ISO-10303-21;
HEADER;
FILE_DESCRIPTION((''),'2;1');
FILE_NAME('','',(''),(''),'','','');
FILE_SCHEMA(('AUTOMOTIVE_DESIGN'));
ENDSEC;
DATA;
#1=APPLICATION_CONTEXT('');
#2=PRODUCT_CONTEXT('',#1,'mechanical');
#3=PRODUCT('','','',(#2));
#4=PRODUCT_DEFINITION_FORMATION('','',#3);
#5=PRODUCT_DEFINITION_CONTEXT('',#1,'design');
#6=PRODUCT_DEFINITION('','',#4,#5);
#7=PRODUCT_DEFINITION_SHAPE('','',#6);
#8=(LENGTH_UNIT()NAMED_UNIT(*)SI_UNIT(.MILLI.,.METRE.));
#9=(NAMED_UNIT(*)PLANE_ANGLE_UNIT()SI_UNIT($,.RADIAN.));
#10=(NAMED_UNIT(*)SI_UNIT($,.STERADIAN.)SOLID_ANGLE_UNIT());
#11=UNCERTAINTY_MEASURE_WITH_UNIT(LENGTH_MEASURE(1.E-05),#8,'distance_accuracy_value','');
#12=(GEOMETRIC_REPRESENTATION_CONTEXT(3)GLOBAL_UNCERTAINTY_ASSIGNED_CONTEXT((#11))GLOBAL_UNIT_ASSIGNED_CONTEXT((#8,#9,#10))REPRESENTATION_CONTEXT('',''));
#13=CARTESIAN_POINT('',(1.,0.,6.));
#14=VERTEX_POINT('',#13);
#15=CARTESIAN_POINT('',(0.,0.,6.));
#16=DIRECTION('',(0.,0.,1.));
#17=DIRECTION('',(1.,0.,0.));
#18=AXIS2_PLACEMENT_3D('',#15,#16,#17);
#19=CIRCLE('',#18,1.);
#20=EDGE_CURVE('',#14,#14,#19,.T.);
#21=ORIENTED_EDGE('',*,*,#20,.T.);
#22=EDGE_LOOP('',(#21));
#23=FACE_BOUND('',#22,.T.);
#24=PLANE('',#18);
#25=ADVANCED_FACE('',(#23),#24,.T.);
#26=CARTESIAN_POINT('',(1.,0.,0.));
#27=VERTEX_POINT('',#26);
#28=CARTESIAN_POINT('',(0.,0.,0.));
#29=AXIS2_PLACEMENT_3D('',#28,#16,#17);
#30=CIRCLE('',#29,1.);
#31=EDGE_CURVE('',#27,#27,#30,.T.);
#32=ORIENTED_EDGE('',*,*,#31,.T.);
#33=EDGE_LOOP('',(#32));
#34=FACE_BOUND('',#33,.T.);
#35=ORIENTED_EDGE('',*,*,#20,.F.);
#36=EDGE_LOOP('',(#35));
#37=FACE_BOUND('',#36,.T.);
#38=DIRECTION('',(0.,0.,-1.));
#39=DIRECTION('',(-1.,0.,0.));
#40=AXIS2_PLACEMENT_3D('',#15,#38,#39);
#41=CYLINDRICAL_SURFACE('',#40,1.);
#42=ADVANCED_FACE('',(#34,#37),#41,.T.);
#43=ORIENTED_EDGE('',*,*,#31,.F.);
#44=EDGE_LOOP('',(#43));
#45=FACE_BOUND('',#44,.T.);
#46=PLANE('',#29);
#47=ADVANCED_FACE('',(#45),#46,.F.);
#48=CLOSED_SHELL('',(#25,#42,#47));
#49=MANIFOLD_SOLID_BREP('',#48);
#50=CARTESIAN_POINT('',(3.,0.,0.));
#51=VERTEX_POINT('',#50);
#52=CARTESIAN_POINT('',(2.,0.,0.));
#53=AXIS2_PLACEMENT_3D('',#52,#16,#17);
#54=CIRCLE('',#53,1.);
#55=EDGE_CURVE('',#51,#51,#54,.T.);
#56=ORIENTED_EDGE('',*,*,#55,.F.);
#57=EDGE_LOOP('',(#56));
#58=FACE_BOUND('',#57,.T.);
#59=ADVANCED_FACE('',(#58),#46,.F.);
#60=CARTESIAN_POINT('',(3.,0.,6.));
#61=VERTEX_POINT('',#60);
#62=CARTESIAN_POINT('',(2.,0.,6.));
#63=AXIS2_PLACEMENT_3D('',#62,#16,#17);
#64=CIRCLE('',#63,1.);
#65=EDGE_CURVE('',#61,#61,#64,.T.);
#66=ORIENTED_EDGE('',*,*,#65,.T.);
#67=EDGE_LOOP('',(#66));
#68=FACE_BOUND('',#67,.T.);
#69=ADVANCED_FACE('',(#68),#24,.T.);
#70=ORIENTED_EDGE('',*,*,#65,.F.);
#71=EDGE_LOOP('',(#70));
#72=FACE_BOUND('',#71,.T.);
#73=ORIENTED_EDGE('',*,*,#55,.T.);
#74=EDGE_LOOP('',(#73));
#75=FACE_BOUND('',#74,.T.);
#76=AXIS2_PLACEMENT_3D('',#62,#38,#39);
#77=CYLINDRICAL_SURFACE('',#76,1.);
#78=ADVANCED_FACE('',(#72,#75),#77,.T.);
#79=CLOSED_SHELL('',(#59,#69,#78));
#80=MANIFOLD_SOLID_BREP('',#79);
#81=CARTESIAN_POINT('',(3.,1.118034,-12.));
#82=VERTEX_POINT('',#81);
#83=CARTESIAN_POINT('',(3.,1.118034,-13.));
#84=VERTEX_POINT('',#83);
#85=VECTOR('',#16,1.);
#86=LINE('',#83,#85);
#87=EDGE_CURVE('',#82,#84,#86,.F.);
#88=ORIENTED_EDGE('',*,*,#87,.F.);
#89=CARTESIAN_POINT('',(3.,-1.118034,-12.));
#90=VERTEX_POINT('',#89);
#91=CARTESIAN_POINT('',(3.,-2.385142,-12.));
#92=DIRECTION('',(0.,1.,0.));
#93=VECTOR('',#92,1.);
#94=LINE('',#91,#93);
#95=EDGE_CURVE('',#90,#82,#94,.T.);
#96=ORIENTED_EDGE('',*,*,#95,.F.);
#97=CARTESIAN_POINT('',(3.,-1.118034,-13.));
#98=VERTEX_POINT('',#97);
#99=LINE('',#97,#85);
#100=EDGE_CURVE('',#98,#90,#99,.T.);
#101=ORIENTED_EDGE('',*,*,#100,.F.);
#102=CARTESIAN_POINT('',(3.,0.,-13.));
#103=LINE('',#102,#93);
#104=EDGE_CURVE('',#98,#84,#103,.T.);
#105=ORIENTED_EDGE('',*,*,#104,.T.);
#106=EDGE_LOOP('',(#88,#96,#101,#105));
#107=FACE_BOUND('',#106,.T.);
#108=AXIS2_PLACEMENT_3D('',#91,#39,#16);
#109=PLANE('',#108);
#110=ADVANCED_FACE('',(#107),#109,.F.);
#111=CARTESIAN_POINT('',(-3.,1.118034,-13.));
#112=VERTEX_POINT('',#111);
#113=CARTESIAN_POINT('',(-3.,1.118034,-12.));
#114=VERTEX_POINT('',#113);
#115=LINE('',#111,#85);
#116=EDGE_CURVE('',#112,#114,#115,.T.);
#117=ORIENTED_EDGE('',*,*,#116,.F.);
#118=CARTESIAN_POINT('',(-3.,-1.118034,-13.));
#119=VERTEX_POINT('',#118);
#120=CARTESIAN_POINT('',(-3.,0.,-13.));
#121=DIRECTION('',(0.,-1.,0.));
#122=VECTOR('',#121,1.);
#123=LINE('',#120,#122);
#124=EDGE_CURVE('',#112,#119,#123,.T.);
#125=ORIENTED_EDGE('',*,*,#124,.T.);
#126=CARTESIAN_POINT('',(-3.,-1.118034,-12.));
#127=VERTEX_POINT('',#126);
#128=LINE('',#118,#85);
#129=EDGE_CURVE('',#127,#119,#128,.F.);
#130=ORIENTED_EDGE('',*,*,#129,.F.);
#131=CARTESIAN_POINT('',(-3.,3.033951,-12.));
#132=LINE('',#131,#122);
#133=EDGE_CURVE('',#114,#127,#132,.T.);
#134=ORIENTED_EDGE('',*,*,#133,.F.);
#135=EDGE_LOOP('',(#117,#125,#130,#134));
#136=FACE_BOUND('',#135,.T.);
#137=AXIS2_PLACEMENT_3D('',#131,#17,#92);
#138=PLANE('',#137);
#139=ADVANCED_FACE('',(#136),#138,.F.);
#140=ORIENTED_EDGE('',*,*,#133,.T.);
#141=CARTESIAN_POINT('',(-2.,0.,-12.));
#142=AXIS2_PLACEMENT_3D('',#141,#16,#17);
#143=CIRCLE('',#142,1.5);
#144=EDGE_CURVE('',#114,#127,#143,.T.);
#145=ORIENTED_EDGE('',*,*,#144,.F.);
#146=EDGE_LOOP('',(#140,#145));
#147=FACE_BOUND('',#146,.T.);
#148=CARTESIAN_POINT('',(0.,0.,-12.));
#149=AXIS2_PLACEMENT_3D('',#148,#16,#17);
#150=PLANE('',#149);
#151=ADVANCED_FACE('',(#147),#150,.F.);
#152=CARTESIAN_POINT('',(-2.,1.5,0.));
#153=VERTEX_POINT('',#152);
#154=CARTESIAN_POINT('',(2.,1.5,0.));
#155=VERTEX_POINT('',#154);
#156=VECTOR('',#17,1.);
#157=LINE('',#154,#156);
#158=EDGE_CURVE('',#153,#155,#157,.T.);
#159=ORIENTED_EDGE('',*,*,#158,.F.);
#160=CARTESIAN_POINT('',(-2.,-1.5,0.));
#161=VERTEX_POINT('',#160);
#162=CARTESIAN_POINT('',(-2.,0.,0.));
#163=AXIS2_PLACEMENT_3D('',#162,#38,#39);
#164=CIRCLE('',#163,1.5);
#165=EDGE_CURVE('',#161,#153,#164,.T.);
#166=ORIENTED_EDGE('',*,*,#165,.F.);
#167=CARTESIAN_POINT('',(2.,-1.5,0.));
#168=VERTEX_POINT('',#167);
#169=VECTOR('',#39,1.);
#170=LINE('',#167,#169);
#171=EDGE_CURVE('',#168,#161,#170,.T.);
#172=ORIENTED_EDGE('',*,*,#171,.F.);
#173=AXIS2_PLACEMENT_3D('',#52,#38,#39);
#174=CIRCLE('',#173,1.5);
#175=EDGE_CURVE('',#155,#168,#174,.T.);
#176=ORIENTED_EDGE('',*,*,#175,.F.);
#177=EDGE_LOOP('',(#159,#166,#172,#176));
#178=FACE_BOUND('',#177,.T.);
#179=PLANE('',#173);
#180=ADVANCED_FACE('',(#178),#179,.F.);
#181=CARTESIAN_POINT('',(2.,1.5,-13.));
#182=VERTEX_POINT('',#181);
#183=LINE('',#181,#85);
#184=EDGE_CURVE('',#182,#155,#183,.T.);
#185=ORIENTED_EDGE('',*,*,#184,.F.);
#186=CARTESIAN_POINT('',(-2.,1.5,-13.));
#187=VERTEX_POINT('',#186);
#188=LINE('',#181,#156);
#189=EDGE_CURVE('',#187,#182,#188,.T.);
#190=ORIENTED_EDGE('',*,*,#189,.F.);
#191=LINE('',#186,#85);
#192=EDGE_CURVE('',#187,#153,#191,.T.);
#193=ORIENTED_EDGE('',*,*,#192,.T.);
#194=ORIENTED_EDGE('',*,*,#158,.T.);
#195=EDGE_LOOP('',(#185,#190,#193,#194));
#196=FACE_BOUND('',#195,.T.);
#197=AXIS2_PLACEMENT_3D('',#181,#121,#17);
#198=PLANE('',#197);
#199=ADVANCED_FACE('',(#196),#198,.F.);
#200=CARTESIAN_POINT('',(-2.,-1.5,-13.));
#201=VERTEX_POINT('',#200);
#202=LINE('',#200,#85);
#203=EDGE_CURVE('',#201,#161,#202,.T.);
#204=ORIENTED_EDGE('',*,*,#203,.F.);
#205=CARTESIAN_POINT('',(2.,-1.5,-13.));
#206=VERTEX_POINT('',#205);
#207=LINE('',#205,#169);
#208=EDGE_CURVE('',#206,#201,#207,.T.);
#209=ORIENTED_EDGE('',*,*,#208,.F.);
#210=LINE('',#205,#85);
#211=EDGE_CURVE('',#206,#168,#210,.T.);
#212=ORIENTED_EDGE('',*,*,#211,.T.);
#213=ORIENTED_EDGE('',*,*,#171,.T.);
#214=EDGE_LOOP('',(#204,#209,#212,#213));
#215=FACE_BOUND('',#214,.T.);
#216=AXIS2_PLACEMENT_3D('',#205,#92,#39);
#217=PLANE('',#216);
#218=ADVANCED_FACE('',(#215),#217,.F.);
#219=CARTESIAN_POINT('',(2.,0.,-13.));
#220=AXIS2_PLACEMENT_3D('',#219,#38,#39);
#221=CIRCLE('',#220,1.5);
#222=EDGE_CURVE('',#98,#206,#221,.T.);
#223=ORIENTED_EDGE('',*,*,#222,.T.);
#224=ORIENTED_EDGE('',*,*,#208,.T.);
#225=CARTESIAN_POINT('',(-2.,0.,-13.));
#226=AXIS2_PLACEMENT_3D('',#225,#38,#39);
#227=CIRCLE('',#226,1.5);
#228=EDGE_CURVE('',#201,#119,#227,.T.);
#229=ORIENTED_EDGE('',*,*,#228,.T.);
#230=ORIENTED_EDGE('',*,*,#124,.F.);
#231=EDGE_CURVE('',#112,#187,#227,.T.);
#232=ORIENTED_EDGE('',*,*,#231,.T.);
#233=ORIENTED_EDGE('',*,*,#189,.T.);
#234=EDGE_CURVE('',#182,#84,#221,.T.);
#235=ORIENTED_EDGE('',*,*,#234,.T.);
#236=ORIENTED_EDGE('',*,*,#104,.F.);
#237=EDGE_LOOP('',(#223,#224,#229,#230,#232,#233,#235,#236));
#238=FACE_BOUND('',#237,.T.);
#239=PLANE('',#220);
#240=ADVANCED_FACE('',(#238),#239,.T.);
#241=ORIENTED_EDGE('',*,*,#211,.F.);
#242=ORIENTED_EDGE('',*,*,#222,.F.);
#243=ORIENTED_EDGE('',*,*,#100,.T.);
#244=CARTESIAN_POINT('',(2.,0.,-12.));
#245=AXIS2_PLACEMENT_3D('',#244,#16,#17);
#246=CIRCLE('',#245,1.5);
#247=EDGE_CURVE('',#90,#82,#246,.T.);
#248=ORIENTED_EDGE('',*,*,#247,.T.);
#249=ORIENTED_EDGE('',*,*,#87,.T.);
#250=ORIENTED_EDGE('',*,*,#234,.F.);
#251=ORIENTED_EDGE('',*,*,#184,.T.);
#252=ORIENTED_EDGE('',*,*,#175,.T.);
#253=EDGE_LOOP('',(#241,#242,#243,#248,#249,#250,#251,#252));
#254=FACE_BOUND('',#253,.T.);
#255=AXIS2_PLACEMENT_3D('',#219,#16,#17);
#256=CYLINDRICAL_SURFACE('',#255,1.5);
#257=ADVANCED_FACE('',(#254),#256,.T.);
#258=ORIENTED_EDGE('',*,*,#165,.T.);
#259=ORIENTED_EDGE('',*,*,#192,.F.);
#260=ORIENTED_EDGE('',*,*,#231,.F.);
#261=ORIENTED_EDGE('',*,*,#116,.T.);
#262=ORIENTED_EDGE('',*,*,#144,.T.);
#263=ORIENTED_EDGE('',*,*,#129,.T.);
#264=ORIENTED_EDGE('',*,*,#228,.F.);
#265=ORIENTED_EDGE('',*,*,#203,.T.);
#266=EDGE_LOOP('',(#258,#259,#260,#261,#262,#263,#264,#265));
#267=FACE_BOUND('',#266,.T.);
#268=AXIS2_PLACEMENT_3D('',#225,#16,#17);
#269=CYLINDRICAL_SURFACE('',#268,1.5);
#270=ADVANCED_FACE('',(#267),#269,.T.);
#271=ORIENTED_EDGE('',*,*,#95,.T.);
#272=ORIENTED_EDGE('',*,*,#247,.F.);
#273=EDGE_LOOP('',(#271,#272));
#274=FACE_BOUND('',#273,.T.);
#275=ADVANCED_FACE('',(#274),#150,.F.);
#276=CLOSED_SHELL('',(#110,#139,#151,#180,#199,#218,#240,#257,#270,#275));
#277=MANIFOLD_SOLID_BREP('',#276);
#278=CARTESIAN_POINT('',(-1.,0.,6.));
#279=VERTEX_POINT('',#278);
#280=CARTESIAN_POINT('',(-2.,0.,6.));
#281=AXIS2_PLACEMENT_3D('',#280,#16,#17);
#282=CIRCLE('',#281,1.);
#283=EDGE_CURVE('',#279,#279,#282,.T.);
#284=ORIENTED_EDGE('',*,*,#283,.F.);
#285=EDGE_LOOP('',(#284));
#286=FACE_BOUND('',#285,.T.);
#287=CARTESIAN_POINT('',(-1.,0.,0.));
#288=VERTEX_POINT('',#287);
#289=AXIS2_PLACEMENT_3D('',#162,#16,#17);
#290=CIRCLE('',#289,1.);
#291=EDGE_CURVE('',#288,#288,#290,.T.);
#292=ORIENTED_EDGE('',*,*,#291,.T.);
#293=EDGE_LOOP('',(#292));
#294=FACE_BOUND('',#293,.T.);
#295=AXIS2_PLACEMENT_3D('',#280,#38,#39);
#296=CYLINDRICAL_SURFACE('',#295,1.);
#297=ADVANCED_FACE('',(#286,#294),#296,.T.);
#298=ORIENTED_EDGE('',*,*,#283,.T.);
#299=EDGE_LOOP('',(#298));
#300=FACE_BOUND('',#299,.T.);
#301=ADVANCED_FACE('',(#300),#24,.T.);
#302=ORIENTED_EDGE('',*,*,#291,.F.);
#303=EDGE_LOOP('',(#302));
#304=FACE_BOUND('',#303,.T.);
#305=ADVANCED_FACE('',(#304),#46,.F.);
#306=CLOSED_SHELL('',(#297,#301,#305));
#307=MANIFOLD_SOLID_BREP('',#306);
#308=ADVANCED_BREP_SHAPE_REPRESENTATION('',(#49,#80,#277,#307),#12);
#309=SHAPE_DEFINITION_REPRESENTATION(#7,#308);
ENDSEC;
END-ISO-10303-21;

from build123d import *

# Parameters (mm, degrees)
SKETCH_1_R          = 1
EXTRUDE_1_DEPTH     = 6
EXTRUDE_1_2_DEPTH   = 6
EXTRUDE_1_3_DEPTH   = 6
EXTRUDE_5_DEPTH     = 13
SKETCH_3_W          = 1.364124089
SKETCH_3_H          = 6.403769564
SKETCH_3_W_2        = 2.240486341
SKETCH_3_H_2        = 5.419092784
CUT_EXTRUDE_1_DEPTH = 1


with BuildPart() as part:
    # Эскиз1 → Бобышка-Вытянуть1 (new body)
    with BuildSketch(Plane.XY):
        with Locations((-2, 0)):
            Circle(SKETCH_1_R)
    extrude(amount=EXTRUDE_1_DEPTH)


with BuildPart() as body_2:
    # Эскиз1 → Extrude 1 2 (new body)
    with BuildSketch(Plane.XY):
        Circle(SKETCH_1_R)
    extrude(amount=EXTRUDE_1_2_DEPTH)


with BuildPart() as body_3:
    # Эскиз1 → Extrude 1 3 (new body)
    with BuildSketch(Plane.XY):
        with Locations((2, 0)):
            Circle(SKETCH_1_R)
    extrude(amount=EXTRUDE_1_3_DEPTH)


with BuildPart() as body_4:
    # Эскиз2 → Бобышка-Вытянуть5 (new body)
    with BuildSketch(Plane(origin=(0, 0, 0), x_dir=(-1, 0, 0), z_dir=(0, 0, -1))):
        with BuildLine():
            Line((-2, 1.5), (2, 1.5))
            ThreePointArc((2, 1.5), (3.5, 0), (2, -1.5))
            Line((2, -1.5), (-2, -1.5))
            ThreePointArc((-2, -1.5), (-3.5, 0), (-2, 1.5))
        make_face()
    extrude(amount=EXTRUDE_5_DEPTH)

    # Эскиз3 → Вырез-Вытянуть1 (cut)
    with BuildSketch(Plane(origin=(0, 0, -13), x_dir=(-1, 0, 0), z_dir=(0, 0, -1))):
        with Locations((3.682062045, -0.167934068)):
            Rectangle(SKETCH_3_W, SKETCH_3_H)
        with Locations((-4.120243171, 0.324404322)):
            Rectangle(SKETCH_3_W_2, SKETCH_3_H_2)
    extrude(amount=-CUT_EXTRUDE_1_DEPTH, mode=Mode.SUBTRACT)


solid = Compound([part.part, body_2.part, body_3.part, body_4.part])
